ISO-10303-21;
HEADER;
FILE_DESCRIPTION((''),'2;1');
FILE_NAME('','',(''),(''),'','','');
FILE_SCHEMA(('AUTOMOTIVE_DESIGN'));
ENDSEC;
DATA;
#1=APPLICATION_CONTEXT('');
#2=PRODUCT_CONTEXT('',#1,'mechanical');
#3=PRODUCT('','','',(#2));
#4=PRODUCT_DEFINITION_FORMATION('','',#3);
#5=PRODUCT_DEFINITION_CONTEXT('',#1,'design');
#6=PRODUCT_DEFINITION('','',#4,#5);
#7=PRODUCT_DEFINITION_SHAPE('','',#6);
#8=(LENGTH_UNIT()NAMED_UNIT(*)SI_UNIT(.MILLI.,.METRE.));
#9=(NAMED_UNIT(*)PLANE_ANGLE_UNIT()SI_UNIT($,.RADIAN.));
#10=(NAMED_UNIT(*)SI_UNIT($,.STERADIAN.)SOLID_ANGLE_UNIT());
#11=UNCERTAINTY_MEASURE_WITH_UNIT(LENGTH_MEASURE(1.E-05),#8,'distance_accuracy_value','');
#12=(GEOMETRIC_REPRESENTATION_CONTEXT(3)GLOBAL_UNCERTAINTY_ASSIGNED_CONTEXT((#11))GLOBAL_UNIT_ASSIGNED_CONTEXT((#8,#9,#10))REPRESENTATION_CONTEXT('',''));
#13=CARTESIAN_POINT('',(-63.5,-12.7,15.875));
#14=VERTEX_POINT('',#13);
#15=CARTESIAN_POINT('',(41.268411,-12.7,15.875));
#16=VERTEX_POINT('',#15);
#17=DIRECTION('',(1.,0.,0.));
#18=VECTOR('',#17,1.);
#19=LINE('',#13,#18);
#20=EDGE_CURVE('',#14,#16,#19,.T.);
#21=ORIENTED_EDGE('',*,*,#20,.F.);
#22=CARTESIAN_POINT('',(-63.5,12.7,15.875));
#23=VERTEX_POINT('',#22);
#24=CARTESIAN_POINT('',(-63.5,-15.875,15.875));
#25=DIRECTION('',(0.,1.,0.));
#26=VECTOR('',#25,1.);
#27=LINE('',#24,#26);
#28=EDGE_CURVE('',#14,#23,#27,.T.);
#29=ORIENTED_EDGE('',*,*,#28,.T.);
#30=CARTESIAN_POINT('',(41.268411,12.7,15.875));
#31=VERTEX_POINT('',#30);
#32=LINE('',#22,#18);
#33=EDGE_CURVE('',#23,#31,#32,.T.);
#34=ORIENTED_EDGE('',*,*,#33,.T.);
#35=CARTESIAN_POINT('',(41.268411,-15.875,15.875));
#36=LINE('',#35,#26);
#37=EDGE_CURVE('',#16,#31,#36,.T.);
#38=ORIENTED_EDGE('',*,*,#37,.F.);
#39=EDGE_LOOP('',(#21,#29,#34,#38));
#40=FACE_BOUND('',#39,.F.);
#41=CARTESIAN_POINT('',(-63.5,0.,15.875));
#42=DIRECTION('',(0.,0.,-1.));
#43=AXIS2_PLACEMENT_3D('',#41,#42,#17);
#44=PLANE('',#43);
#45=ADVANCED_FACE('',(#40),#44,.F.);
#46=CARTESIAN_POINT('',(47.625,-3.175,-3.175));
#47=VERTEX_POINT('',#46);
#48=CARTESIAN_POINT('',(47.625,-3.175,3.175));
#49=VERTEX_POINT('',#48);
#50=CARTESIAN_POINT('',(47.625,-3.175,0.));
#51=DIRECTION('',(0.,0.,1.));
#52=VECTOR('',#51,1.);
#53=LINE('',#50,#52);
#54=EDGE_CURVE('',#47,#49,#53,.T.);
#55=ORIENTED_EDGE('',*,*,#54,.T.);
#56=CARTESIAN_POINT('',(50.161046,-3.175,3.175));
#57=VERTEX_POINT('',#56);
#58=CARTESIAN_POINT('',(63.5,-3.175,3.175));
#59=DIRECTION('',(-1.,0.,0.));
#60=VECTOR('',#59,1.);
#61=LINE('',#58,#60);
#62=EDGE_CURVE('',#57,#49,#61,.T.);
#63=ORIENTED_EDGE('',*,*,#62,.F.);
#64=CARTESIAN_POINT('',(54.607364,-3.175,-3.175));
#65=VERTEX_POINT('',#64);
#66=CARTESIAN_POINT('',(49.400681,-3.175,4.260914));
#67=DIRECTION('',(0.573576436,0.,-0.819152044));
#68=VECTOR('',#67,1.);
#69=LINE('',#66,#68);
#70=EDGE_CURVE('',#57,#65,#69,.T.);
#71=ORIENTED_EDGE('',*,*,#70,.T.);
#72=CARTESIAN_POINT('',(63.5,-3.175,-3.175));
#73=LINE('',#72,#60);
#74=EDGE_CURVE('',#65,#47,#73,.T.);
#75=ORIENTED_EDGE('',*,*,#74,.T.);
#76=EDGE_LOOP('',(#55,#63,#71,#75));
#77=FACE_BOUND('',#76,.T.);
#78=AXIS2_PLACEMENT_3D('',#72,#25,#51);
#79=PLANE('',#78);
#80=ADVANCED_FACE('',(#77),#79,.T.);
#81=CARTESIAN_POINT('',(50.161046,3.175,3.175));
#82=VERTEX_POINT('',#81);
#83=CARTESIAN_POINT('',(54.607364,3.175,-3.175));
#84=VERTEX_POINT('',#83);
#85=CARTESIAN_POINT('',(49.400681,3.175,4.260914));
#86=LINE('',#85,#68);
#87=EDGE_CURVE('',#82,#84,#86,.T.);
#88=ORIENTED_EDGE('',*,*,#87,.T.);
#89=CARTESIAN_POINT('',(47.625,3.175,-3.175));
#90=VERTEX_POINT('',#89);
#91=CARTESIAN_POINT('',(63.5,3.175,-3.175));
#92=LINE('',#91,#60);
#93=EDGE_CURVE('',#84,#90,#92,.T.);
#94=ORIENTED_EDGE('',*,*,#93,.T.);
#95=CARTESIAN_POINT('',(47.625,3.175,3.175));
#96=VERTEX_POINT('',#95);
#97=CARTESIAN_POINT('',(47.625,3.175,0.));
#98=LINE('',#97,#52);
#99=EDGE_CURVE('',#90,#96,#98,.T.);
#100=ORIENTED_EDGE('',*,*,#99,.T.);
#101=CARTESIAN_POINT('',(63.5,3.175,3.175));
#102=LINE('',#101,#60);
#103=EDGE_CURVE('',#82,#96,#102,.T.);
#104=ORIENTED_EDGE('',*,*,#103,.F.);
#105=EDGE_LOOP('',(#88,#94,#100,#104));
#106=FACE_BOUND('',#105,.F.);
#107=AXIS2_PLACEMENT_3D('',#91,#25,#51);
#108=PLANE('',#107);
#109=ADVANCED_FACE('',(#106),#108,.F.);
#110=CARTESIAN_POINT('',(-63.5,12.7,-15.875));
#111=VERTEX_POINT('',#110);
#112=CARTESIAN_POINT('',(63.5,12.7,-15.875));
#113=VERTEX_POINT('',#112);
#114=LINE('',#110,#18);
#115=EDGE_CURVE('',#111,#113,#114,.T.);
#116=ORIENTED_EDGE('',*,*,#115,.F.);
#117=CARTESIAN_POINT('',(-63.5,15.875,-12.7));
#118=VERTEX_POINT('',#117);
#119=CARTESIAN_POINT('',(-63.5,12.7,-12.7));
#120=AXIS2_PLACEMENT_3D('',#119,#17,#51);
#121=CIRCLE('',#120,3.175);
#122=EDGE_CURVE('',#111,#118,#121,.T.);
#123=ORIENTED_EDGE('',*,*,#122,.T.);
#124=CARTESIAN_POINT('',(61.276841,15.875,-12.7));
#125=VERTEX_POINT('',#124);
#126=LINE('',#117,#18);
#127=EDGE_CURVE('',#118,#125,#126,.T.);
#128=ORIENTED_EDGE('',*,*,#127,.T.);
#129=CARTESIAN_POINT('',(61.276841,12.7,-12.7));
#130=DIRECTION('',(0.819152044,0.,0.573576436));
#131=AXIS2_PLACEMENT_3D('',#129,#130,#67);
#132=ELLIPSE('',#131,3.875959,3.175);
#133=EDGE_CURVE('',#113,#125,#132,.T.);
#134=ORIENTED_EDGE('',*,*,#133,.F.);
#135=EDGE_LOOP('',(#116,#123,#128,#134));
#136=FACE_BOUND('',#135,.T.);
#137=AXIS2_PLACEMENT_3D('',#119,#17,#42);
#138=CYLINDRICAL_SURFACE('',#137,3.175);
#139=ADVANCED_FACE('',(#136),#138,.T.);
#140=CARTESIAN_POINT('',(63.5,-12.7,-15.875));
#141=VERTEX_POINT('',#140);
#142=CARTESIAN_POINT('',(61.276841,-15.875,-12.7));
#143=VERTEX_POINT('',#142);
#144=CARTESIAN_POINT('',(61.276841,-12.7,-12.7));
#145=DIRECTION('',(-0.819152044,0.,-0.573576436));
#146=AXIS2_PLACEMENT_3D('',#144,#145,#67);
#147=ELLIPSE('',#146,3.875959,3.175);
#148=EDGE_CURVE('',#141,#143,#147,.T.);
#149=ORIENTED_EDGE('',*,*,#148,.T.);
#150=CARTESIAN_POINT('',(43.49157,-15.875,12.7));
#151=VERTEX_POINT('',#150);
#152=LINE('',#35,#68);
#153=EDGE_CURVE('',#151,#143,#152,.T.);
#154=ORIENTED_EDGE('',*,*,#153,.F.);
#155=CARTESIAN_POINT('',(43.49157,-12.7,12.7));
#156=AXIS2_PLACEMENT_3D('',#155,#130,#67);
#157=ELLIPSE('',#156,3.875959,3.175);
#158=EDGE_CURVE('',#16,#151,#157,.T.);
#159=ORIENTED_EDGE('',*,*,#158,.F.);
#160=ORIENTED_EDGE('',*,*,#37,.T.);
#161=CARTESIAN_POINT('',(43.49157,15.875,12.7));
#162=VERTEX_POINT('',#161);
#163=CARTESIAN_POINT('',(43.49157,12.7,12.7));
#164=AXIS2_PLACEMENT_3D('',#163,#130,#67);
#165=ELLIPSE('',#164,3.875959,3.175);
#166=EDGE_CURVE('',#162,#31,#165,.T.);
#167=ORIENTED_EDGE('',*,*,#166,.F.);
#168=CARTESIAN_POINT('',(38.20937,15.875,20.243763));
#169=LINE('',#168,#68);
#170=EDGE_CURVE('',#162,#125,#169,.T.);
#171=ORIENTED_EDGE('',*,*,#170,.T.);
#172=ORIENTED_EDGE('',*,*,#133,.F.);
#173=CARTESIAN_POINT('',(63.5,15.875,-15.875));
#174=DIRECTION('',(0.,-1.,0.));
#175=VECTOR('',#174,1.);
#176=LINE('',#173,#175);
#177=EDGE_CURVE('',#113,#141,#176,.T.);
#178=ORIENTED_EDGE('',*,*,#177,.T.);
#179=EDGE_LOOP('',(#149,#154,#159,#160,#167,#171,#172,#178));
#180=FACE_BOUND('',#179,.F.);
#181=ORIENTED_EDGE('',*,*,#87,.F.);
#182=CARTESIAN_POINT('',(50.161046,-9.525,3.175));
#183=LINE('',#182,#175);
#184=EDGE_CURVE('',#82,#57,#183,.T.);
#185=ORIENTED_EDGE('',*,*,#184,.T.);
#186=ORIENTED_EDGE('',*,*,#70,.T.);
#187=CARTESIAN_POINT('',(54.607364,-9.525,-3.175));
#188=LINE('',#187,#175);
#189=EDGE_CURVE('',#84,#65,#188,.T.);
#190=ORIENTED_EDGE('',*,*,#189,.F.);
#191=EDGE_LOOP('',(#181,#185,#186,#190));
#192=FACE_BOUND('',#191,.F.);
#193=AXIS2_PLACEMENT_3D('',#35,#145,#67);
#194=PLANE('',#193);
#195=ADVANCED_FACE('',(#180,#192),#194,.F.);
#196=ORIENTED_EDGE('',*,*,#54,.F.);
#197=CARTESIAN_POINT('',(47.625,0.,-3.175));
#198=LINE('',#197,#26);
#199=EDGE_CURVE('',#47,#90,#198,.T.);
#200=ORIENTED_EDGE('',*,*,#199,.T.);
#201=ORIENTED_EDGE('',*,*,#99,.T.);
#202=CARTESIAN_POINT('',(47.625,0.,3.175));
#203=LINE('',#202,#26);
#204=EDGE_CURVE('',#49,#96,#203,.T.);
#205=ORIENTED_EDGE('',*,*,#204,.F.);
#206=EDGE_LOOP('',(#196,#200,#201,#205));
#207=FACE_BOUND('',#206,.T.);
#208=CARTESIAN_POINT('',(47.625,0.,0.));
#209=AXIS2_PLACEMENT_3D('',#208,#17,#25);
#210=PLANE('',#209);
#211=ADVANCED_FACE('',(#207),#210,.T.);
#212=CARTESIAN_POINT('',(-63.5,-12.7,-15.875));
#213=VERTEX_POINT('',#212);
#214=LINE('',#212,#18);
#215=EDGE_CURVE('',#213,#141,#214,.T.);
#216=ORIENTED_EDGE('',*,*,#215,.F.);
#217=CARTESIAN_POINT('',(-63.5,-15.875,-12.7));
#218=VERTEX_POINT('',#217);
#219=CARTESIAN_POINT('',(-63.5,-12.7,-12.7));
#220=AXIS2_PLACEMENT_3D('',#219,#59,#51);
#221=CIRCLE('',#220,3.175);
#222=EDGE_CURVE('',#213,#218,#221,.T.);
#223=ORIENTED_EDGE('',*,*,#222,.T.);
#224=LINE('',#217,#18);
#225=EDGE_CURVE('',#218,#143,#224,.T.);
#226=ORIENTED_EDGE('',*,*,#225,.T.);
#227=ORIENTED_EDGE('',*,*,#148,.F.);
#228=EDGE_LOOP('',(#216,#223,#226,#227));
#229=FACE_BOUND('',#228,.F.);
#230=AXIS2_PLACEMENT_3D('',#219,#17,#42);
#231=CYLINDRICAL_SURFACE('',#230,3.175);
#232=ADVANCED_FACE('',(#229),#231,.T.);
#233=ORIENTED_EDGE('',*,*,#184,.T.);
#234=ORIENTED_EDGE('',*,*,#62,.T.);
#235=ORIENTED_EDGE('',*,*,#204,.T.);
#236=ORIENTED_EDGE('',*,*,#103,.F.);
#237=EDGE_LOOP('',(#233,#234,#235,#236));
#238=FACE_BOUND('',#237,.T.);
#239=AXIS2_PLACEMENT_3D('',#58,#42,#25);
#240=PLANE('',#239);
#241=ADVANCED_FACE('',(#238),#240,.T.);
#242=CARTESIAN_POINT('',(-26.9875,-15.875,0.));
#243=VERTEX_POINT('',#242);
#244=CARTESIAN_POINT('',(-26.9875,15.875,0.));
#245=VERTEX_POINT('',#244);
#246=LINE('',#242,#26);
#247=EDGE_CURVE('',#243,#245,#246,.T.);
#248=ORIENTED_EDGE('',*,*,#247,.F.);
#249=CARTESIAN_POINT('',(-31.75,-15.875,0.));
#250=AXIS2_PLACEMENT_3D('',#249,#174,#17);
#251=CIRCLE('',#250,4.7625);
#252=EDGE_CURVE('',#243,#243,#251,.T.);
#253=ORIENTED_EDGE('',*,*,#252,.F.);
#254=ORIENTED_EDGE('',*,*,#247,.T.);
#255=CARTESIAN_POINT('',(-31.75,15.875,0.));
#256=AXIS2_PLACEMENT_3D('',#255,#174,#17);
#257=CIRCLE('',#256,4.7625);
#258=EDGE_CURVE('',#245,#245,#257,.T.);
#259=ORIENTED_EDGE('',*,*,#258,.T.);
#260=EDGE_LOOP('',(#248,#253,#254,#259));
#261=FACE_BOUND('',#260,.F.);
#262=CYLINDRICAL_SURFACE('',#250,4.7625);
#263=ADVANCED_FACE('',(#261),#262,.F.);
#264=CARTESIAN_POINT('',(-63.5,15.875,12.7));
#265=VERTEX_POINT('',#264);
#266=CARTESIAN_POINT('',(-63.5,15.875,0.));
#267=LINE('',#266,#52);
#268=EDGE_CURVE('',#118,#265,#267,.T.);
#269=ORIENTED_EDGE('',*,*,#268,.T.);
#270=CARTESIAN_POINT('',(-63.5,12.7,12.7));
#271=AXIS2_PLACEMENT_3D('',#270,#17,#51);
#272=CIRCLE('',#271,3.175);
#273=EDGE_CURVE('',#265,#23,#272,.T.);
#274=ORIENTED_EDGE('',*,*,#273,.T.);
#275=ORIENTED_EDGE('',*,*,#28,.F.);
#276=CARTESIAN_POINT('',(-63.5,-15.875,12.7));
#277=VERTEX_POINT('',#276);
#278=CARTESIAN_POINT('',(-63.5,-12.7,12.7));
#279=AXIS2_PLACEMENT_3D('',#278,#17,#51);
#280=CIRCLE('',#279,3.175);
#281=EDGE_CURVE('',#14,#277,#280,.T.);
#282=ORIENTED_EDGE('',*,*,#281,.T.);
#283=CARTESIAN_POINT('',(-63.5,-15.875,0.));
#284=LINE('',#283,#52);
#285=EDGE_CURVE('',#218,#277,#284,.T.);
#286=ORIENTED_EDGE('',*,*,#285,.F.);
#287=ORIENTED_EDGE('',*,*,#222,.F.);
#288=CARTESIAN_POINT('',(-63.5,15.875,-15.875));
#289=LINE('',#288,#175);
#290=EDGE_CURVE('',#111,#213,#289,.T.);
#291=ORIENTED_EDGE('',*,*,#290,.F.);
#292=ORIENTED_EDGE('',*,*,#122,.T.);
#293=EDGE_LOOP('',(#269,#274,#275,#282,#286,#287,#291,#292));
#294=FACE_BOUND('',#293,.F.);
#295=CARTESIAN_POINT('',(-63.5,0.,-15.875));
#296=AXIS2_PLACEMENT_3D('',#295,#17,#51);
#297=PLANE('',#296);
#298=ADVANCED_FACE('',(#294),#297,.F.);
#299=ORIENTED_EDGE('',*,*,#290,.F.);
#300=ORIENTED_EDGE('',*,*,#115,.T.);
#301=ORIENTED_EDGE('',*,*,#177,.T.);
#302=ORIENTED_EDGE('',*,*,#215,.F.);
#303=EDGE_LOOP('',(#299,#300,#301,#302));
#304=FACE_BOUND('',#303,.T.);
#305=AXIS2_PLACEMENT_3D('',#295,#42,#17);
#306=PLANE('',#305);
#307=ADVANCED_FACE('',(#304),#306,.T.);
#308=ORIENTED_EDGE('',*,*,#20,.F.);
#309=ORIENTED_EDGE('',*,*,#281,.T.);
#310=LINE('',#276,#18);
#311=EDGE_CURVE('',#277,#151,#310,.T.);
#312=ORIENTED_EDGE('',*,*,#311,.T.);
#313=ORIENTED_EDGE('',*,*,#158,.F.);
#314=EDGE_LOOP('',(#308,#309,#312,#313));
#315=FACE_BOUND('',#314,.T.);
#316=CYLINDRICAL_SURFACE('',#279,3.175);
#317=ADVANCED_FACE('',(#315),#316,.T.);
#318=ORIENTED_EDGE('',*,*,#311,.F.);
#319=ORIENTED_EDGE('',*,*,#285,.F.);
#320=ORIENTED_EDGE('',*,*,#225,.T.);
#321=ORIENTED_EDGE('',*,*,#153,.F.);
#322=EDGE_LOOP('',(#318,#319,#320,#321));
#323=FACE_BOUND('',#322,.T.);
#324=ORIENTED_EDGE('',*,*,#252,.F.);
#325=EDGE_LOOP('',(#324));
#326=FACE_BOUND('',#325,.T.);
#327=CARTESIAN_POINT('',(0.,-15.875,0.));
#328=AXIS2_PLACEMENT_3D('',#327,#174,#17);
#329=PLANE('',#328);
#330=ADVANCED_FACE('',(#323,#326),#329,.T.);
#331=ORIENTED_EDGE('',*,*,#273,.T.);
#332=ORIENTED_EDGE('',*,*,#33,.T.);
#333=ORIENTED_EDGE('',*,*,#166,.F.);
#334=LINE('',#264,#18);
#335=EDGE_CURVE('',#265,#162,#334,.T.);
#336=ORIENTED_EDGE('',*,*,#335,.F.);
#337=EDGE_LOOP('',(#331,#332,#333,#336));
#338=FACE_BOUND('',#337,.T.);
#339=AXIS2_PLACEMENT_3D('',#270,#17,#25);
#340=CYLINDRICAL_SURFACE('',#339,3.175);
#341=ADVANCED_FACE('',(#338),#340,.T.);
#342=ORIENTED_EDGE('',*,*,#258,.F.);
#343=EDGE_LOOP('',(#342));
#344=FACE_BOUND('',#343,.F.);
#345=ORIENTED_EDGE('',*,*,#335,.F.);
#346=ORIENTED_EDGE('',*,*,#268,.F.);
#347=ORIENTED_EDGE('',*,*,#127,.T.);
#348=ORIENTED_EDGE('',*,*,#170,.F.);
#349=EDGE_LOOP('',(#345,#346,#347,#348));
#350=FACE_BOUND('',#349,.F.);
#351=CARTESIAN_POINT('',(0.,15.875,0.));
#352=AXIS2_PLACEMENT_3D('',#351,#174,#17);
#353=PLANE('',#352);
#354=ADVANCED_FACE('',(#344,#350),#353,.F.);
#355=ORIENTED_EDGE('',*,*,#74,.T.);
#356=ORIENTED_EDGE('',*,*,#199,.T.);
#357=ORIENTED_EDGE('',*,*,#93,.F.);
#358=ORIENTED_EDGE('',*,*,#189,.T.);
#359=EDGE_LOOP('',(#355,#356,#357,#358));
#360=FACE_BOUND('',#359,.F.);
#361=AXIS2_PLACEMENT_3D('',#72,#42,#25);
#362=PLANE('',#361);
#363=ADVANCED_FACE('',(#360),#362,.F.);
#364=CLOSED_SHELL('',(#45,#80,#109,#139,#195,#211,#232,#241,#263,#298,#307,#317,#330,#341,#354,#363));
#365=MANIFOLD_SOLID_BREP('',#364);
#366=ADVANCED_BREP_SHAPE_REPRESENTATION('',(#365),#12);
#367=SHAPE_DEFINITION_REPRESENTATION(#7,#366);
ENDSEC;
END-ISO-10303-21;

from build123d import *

# Parameters (mm, degrees)
F0_W     = 127
F0_H     = 31.75
F1_DEPTH = 15.875
F2_R     = 4.7625
F3_DEPTH = 31.751
F5_DEPTH = 31.751
F7_W     = 6.35
F7_H     = 6.35
F8_DEPTH = 15.875
F9_R     = 3.175


with BuildPart() as f1:
    # F0 (on Front) → F1 (new body, symmetric)
    with BuildSketch(Plane.XZ):
        Rectangle(F0_W, F0_H)
    extrude(amount=F1_DEPTH, both=True)

    # F2 (on face) → F3 (cut, through all)
    with BuildSketch(Plane.XZ.offset(15.875)):
        with Locations((-31.75, 0)):
            Circle(F2_R)
    extrude(amount=-F3_DEPTH, mode=Mode.SUBTRACT)

    # F4 (on face) → F5 (cut, through all)
    with BuildSketch(Plane.XZ.offset(15.875)):
        Polygon((41.2684106618, 15.875), (63.5, -15.875), (63.5, 15.875), align=None)
    extrude(amount=-F5_DEPTH, mode=Mode.SUBTRACT)

    # F7 (on offset) → F8 (cut)
    with BuildSketch(Plane.YZ.offset(63.5)):
        Rectangle(F7_W, F7_H)
    extrude(amount=-F8_DEPTH, mode=Mode.SUBTRACT)

    # F9
    f9_edges = [f1.edges().sort_by_distance(p)[0] for p in [
        (-11.115795, -15.875, 15.875),
        (-11.115795, 15.875, 15.875),
        (0, -15.875, -15.875),
        (0, 15.875, -15.875),
    ]]
    fillet(f9_edges, radius=F9_R)


solid = f1.part
